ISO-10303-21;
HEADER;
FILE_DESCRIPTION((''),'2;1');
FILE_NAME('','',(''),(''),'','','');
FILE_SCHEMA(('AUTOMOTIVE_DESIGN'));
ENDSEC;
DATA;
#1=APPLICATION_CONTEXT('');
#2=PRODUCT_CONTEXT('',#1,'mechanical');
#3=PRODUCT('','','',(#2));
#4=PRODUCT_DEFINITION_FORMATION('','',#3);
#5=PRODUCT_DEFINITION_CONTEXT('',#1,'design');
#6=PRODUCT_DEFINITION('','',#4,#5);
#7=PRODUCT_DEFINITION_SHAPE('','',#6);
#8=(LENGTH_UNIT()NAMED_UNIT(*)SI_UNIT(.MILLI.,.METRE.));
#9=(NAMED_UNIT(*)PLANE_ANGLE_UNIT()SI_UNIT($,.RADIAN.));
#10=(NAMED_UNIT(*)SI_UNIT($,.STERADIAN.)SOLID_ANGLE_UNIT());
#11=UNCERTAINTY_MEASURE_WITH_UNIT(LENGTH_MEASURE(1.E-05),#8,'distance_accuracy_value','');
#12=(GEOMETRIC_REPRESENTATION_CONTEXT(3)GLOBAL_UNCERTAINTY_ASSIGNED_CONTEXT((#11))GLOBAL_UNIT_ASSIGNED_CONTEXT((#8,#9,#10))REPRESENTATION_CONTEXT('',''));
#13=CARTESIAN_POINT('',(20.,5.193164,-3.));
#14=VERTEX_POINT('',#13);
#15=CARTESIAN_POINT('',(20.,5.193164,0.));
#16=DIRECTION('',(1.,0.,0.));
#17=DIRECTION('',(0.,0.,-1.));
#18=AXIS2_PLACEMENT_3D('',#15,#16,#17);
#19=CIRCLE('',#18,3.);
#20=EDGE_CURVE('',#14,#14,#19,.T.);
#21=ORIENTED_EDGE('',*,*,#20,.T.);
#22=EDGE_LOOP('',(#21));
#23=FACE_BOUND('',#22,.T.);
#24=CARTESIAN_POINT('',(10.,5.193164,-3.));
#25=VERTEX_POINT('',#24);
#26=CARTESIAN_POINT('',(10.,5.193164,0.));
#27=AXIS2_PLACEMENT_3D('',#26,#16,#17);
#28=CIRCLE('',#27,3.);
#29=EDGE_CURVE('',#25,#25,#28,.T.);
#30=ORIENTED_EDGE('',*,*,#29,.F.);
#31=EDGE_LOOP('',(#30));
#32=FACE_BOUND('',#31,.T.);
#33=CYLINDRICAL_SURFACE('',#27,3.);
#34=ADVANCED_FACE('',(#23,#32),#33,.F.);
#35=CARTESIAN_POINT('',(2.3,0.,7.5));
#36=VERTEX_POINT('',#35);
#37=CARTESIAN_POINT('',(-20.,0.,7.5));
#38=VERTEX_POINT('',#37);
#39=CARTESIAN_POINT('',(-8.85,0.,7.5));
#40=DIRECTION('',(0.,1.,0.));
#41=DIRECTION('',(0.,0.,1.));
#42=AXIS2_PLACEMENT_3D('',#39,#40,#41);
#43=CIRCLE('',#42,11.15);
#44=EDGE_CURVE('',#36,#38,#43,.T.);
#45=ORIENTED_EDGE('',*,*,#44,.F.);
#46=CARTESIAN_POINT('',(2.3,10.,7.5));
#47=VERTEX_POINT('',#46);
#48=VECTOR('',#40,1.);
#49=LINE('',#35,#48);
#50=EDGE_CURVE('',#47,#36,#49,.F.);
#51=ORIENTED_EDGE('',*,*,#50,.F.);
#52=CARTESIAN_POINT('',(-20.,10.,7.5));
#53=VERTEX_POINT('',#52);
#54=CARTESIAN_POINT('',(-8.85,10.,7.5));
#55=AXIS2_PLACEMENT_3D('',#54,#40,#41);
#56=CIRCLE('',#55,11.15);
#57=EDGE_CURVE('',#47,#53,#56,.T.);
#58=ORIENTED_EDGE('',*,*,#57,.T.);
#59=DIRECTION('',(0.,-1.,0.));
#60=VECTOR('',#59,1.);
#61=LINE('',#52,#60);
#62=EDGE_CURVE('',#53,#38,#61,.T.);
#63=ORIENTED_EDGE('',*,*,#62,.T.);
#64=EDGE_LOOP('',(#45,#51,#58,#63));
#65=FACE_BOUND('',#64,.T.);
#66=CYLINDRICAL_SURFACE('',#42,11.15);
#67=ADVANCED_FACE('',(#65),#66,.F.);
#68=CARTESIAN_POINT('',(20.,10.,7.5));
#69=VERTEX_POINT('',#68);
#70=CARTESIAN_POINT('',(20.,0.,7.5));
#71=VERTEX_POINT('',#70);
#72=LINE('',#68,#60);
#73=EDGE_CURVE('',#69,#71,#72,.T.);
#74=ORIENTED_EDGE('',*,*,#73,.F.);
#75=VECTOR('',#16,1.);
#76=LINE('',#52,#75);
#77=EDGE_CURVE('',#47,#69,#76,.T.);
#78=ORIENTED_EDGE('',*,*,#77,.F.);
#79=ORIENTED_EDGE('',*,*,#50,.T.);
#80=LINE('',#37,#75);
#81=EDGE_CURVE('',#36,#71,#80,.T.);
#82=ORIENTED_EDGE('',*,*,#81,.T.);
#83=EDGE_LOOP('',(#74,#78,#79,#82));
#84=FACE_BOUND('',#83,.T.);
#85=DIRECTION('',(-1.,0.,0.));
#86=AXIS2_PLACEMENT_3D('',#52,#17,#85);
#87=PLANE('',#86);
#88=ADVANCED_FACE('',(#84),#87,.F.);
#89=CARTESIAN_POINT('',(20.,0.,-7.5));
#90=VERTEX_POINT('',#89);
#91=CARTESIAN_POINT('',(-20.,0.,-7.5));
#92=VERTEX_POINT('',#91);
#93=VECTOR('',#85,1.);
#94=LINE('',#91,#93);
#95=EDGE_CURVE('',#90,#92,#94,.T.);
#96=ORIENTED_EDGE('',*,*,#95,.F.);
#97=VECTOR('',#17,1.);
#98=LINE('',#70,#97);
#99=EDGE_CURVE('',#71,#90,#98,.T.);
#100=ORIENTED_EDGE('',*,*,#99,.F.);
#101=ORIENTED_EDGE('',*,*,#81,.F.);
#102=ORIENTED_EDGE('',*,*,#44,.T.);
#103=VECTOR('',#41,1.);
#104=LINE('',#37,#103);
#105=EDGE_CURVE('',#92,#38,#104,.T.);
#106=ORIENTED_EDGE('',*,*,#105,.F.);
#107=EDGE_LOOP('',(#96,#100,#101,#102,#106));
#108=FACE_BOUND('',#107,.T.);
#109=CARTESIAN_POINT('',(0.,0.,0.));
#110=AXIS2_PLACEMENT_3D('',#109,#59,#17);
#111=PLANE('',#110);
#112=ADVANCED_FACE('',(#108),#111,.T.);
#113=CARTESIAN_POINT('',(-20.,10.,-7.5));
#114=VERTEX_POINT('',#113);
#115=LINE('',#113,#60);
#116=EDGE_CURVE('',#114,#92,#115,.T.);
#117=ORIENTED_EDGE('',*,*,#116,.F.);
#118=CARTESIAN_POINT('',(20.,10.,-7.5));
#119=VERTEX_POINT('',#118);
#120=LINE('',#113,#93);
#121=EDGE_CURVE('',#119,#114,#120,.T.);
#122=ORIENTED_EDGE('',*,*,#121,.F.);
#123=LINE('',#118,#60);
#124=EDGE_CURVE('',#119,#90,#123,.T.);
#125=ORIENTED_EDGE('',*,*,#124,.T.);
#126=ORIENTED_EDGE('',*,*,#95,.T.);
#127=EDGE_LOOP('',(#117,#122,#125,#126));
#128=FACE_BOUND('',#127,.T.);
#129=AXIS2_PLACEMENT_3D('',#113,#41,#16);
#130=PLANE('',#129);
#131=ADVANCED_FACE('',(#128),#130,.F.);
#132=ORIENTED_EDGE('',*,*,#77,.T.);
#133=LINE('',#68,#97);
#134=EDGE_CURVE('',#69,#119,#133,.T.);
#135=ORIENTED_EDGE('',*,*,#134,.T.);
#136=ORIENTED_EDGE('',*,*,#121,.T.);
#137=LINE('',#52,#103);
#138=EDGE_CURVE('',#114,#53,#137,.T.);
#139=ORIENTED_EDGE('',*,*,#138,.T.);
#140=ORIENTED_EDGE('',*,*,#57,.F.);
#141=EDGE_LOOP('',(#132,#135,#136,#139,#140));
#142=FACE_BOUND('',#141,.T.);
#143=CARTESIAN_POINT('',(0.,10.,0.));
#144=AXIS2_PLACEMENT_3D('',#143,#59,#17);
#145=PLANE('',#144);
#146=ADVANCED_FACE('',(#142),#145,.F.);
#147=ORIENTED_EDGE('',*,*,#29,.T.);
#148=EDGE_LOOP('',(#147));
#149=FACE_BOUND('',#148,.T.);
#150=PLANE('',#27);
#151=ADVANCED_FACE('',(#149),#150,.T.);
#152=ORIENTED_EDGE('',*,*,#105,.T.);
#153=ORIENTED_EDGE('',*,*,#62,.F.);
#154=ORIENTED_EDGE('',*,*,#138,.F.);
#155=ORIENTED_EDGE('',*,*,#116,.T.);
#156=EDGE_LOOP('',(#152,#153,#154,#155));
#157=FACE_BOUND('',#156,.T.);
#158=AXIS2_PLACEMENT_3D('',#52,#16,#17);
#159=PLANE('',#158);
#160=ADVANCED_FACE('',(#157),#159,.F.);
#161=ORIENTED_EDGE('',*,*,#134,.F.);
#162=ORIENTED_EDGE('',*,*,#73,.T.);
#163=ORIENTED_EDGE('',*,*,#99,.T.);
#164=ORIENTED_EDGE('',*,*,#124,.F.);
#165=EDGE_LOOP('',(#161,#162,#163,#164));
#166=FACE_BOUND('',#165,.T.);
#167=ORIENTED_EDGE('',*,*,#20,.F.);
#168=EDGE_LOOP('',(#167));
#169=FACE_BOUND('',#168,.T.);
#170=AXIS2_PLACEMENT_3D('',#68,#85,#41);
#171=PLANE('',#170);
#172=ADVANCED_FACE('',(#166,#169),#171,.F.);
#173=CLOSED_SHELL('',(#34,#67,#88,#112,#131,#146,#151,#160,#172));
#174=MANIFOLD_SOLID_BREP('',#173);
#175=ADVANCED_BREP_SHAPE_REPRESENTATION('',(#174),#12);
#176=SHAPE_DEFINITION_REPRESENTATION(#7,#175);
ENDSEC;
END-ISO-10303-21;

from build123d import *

# Parameters (mm, degrees)
IZIM1_W                     = 40
IZIM1_H                     = 15
Y_KSEKLIK_EKSTR_ZYON1_DEPTH = 10
IZIM2_R                     = 3
KES_EKSTR_ZYON1_DEPTH       = 10
IZIM4_R                     = 11.15
KES_EKSTR_ZYON2_DEPTH       = 10


with BuildPart() as part:
    # Çizim1 → Yükseklik-Ekstrüzyon1 (new body)
    with BuildSketch(Plane(origin=(0, 0, 0), x_dir=(1, 0, 0), z_dir=(0, 1, 0))):
        Rectangle(IZIM1_W, IZIM1_H)
    extrude(amount=Y_KSEKLIK_EKSTR_ZYON1_DEPTH)

    # Çizim2 → Kes-Ekstrüzyon1 (cut)
    with BuildSketch(Plane(origin=(20, 0, 0), x_dir=(0, 0, -1), z_dir=(1, 0, 0))):
        with Locations((0, 5.193163971)):
            Circle(IZIM2_R)
    extrude(amount=-KES_EKSTR_ZYON1_DEPTH, mode=Mode.SUBTRACT)

    # Çizim4 → Kes-Ekstrüzyon2 (cut)
    with BuildSketch(Plane(origin=(0, 10, 0), x_dir=(1, 0, 0), z_dir=(0, 1, 0))):
        with Locations((-8.85, -7.5)):
            Circle(IZIM4_R)
    extrude(amount=-KES_EKSTR_ZYON2_DEPTH, mode=Mode.SUBTRACT)


solid = part.part
